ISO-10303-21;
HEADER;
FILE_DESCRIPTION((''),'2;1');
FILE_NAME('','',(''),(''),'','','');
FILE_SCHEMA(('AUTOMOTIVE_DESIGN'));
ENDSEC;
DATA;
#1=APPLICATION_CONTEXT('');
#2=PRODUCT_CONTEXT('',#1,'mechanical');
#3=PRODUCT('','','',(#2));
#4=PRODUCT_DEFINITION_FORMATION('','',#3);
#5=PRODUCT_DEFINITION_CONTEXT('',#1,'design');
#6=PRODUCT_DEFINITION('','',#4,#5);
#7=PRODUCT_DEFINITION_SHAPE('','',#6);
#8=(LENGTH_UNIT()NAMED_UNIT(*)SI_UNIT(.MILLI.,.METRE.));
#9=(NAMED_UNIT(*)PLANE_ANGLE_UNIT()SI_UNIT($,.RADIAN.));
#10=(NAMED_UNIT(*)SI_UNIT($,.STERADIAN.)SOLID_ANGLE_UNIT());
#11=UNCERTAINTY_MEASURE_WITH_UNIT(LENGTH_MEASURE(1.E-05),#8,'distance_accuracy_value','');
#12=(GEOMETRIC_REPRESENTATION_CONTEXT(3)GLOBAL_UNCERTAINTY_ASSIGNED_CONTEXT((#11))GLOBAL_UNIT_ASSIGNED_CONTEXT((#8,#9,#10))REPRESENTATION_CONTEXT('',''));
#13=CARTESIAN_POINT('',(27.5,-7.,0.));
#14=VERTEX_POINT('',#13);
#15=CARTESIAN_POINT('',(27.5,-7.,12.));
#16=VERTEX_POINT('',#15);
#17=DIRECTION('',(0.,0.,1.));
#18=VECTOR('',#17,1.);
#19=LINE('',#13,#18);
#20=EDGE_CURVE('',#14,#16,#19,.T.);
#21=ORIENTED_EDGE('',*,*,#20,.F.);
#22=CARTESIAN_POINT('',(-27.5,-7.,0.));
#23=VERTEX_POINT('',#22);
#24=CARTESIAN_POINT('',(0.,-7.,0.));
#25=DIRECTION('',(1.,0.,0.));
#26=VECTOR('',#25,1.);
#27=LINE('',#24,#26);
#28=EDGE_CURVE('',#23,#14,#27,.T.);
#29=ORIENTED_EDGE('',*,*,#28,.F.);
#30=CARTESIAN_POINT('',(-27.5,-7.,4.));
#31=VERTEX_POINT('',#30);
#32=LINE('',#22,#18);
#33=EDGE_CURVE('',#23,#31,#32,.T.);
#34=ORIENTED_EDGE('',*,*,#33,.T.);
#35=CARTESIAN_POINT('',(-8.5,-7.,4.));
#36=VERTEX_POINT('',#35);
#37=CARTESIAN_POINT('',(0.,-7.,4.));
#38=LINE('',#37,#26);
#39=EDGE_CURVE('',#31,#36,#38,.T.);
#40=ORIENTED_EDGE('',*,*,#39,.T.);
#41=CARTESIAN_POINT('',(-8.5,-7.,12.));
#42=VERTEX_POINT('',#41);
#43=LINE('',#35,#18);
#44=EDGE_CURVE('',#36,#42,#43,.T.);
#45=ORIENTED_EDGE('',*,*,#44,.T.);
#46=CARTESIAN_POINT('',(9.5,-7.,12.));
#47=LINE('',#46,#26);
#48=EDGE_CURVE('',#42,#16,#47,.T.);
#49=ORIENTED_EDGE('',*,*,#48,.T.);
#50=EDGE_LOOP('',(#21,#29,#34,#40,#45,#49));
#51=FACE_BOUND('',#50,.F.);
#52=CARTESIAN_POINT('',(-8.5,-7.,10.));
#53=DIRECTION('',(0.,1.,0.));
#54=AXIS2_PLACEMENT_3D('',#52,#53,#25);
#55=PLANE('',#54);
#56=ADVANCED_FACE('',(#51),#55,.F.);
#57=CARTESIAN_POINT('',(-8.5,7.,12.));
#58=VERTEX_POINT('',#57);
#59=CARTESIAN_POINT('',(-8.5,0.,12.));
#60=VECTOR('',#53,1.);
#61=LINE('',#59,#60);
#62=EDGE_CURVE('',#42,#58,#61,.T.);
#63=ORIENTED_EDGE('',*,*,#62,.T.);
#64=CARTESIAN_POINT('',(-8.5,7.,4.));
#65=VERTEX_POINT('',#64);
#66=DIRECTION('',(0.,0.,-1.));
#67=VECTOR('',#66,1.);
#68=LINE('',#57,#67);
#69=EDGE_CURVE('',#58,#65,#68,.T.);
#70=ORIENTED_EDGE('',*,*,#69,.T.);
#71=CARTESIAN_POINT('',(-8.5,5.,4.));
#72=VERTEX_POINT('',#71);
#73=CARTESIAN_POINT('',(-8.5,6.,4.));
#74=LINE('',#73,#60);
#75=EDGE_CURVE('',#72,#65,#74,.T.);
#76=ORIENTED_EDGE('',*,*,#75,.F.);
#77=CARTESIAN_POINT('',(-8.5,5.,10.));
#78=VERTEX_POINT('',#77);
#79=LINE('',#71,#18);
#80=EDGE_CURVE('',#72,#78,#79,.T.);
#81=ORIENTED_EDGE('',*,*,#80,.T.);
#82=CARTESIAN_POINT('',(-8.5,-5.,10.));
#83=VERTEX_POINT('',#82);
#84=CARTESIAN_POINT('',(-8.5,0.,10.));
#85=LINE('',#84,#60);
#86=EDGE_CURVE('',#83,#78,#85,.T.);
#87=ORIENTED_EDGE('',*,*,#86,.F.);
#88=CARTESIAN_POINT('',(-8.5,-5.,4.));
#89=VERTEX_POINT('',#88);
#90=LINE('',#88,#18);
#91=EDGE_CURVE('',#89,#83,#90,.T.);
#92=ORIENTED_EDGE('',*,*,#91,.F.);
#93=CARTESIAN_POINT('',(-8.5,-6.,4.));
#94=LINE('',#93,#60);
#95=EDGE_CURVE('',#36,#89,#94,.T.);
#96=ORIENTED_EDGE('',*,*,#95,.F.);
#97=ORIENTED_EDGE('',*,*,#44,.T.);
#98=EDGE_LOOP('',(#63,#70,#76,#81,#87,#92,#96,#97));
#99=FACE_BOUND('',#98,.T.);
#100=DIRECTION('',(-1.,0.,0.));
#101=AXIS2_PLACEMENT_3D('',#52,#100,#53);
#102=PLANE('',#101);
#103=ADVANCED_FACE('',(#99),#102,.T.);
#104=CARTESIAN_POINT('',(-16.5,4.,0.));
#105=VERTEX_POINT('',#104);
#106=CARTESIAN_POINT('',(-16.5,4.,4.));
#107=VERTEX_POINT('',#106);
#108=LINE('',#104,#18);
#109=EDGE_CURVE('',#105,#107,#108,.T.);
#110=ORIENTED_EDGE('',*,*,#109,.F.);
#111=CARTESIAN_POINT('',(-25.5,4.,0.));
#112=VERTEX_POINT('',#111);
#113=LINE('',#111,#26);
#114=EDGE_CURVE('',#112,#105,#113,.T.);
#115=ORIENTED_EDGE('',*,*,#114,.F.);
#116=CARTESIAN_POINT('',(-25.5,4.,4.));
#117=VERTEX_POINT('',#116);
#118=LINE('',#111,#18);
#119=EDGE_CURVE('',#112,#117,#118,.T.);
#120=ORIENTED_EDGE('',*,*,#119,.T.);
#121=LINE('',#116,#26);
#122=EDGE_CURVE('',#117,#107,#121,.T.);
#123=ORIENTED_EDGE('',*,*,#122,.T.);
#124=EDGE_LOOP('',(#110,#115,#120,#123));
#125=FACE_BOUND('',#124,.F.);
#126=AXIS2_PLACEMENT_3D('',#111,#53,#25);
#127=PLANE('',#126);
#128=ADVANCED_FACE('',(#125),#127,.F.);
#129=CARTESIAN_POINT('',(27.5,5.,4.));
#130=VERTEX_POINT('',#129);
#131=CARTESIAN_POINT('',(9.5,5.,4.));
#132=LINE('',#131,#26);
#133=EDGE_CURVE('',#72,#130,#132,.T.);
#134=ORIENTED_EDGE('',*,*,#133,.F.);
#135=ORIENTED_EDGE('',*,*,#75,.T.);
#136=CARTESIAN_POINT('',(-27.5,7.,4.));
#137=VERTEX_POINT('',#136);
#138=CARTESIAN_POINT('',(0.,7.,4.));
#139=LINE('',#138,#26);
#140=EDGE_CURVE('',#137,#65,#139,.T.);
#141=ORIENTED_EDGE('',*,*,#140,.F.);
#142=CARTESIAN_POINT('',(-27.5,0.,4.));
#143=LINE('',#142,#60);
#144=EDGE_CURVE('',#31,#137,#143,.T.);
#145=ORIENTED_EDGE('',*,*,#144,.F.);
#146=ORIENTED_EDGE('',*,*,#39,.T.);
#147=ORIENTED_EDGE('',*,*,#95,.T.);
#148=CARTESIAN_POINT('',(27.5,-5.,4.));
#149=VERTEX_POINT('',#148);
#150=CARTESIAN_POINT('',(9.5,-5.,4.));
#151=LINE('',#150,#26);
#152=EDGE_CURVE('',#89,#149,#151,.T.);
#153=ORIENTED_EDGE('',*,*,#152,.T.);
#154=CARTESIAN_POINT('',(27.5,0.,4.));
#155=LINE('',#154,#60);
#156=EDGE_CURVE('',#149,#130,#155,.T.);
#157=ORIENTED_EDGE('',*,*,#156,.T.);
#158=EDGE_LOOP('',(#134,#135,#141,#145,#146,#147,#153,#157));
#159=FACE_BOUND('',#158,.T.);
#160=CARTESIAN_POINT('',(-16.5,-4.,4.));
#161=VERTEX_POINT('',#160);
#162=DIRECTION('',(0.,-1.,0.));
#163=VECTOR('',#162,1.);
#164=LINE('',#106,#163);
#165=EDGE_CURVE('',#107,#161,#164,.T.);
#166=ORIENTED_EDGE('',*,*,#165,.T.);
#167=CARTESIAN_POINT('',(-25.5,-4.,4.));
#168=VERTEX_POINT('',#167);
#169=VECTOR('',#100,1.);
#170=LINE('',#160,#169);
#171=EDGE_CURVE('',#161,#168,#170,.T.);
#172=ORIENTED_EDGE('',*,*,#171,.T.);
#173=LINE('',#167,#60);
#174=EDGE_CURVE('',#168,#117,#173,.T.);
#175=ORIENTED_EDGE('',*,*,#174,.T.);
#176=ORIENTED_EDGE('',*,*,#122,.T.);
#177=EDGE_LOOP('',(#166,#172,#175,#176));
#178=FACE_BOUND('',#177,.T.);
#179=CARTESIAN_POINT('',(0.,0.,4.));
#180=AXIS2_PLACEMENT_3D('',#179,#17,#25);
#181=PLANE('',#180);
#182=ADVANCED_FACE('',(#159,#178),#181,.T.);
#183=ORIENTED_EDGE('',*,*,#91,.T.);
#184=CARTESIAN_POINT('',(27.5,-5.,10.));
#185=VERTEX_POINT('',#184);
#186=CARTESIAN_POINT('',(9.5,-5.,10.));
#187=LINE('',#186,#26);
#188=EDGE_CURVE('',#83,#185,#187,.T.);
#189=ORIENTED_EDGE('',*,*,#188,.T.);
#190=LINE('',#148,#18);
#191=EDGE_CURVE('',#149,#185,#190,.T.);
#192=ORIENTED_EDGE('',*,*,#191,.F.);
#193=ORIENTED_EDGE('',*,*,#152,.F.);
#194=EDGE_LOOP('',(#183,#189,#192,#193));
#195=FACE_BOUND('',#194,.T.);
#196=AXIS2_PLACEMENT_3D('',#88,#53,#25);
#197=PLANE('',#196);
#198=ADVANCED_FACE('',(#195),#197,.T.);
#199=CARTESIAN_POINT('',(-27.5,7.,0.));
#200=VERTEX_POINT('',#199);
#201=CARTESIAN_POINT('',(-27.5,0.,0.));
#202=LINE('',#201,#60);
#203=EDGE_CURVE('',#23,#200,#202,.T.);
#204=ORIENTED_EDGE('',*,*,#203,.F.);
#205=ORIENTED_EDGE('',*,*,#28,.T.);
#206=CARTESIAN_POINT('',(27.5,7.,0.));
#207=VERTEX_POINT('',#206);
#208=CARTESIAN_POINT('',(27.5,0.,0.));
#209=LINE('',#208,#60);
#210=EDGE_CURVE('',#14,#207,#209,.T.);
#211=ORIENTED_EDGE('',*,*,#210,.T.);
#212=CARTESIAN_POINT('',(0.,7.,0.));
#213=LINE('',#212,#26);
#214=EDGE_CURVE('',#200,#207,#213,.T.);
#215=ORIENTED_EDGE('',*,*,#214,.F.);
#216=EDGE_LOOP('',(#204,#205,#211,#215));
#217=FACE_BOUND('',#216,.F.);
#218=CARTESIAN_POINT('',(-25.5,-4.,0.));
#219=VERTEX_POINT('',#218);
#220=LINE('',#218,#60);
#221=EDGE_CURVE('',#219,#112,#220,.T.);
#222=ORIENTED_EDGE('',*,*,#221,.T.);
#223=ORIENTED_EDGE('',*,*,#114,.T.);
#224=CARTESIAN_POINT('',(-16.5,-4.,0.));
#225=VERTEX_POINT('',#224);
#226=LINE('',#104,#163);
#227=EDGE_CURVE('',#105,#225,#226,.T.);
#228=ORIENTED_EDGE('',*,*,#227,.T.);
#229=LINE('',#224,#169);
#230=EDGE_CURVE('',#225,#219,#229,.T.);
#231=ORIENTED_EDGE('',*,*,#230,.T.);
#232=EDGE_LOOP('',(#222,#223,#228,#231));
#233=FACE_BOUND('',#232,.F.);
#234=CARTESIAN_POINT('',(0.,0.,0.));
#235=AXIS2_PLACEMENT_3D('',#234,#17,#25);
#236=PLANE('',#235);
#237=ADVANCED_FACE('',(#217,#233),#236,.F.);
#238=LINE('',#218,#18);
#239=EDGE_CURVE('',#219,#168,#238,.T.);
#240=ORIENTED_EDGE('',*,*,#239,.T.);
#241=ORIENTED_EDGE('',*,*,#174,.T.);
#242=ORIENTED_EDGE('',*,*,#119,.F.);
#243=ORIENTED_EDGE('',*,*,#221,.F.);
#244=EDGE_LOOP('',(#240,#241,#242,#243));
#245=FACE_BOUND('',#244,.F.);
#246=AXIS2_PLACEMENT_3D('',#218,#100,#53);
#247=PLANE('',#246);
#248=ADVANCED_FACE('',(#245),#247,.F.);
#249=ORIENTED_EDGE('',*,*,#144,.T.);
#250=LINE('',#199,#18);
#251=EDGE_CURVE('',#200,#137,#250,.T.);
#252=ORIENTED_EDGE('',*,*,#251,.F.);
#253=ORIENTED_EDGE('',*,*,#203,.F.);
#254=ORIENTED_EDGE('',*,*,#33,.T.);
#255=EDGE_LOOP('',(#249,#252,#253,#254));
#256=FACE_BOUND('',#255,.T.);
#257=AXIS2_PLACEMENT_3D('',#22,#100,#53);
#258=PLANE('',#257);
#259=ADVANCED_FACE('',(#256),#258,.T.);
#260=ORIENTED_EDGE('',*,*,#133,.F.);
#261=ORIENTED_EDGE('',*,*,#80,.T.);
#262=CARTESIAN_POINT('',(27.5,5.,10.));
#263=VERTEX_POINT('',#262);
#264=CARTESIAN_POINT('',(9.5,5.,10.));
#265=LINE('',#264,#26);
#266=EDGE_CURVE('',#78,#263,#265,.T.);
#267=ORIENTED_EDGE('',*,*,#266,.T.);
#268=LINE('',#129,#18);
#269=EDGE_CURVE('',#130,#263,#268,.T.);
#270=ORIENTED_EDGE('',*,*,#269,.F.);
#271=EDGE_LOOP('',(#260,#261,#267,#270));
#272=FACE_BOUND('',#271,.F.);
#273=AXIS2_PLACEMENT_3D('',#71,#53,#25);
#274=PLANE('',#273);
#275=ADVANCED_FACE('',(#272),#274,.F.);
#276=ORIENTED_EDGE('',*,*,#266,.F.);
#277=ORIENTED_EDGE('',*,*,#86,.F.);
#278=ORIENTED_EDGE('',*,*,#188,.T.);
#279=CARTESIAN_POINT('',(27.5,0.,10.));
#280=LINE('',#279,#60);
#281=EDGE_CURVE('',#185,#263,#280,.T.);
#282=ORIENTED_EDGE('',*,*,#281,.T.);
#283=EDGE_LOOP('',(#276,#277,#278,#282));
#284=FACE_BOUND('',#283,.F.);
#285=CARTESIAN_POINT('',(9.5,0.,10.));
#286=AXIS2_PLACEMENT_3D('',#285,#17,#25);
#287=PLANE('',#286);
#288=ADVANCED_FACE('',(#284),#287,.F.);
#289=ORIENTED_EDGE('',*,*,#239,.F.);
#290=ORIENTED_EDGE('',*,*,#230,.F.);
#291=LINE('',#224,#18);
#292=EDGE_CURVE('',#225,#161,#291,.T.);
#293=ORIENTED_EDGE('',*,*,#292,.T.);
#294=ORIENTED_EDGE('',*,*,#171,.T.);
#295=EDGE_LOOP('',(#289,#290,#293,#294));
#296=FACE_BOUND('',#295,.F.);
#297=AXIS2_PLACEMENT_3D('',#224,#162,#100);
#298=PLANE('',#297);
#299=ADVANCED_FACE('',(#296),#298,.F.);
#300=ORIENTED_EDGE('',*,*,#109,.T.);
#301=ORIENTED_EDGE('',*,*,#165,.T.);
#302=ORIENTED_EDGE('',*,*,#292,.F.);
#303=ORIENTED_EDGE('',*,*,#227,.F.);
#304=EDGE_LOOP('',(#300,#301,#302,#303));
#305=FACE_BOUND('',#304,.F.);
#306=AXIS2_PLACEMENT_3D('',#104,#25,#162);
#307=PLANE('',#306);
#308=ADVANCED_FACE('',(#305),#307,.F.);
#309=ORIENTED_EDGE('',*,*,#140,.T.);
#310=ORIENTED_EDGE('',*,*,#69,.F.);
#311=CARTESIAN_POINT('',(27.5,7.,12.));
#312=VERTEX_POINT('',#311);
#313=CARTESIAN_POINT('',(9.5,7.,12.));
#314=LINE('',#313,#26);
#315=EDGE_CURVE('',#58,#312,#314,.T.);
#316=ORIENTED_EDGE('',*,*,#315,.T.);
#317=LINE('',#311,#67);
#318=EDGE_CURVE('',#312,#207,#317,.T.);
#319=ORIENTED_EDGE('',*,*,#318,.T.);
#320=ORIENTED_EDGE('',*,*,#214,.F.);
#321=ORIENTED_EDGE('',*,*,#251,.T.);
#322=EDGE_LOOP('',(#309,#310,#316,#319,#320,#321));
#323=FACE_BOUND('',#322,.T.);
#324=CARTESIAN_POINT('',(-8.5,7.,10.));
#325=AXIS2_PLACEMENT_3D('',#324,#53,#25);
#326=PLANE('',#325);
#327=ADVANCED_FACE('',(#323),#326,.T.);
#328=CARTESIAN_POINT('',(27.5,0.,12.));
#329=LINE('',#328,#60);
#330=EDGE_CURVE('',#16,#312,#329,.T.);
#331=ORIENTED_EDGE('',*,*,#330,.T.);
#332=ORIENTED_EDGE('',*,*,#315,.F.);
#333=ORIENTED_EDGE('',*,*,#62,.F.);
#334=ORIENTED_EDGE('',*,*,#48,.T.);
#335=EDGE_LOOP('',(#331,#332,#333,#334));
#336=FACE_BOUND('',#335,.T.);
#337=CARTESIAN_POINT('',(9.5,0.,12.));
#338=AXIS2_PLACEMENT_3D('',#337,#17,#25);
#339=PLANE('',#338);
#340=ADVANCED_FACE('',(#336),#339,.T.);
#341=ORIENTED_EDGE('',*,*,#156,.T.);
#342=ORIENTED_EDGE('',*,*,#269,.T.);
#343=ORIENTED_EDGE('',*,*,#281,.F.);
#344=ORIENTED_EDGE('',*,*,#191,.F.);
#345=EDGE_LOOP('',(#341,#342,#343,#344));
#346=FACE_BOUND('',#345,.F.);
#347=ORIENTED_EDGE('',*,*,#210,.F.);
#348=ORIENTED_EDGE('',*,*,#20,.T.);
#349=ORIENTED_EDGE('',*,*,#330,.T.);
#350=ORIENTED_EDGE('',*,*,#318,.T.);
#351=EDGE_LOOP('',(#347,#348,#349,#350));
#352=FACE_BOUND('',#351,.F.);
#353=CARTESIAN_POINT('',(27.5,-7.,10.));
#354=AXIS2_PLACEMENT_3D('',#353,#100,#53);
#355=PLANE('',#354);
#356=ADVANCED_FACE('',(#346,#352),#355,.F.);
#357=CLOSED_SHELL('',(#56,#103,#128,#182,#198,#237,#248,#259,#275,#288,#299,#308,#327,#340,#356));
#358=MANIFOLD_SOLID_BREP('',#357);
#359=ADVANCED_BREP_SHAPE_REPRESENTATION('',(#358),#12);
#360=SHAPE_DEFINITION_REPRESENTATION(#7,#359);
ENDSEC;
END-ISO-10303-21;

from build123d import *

# Parameters (mm, degrees)
F0_W     = 55
F0_H     = 14
F1_DEPTH = 4
F2_W     = 36
F2_H     = 2
F3_DEPTH = 6
F4_W     = 36
F4_H     = 14
F5_DEPTH = 2


with BuildPart() as f1:
    # F0 (on Top) → F1 (new body)
    with BuildSketch(Plane.XY):
        Rectangle(F0_W, F0_H)
        Polygon((-25.5, -4), (-25.5, 4), (-16.5, 4), (-16.5, 0), (-16.5, -4), align=None, mode=Mode.SUBTRACT)
    extrude(amount=F1_DEPTH)

    # F2 (on face) → F3 (join)
    with BuildSketch(Plane.XY.offset(4)):
        with Locations((9.5, -6)):
            Rectangle(F2_W, F2_H)
        with Locations((9.5, 6)):
            Rectangle(F2_W, F2_H)
    extrude(amount=F3_DEPTH)

    # F4 (on face) → F5 (join)
    with BuildSketch(Plane.XY.offset(10)):
        with Locations((9.5, 0)):
            Rectangle(F4_W, F4_H)
    extrude(amount=F5_DEPTH)


solid = f1.part
